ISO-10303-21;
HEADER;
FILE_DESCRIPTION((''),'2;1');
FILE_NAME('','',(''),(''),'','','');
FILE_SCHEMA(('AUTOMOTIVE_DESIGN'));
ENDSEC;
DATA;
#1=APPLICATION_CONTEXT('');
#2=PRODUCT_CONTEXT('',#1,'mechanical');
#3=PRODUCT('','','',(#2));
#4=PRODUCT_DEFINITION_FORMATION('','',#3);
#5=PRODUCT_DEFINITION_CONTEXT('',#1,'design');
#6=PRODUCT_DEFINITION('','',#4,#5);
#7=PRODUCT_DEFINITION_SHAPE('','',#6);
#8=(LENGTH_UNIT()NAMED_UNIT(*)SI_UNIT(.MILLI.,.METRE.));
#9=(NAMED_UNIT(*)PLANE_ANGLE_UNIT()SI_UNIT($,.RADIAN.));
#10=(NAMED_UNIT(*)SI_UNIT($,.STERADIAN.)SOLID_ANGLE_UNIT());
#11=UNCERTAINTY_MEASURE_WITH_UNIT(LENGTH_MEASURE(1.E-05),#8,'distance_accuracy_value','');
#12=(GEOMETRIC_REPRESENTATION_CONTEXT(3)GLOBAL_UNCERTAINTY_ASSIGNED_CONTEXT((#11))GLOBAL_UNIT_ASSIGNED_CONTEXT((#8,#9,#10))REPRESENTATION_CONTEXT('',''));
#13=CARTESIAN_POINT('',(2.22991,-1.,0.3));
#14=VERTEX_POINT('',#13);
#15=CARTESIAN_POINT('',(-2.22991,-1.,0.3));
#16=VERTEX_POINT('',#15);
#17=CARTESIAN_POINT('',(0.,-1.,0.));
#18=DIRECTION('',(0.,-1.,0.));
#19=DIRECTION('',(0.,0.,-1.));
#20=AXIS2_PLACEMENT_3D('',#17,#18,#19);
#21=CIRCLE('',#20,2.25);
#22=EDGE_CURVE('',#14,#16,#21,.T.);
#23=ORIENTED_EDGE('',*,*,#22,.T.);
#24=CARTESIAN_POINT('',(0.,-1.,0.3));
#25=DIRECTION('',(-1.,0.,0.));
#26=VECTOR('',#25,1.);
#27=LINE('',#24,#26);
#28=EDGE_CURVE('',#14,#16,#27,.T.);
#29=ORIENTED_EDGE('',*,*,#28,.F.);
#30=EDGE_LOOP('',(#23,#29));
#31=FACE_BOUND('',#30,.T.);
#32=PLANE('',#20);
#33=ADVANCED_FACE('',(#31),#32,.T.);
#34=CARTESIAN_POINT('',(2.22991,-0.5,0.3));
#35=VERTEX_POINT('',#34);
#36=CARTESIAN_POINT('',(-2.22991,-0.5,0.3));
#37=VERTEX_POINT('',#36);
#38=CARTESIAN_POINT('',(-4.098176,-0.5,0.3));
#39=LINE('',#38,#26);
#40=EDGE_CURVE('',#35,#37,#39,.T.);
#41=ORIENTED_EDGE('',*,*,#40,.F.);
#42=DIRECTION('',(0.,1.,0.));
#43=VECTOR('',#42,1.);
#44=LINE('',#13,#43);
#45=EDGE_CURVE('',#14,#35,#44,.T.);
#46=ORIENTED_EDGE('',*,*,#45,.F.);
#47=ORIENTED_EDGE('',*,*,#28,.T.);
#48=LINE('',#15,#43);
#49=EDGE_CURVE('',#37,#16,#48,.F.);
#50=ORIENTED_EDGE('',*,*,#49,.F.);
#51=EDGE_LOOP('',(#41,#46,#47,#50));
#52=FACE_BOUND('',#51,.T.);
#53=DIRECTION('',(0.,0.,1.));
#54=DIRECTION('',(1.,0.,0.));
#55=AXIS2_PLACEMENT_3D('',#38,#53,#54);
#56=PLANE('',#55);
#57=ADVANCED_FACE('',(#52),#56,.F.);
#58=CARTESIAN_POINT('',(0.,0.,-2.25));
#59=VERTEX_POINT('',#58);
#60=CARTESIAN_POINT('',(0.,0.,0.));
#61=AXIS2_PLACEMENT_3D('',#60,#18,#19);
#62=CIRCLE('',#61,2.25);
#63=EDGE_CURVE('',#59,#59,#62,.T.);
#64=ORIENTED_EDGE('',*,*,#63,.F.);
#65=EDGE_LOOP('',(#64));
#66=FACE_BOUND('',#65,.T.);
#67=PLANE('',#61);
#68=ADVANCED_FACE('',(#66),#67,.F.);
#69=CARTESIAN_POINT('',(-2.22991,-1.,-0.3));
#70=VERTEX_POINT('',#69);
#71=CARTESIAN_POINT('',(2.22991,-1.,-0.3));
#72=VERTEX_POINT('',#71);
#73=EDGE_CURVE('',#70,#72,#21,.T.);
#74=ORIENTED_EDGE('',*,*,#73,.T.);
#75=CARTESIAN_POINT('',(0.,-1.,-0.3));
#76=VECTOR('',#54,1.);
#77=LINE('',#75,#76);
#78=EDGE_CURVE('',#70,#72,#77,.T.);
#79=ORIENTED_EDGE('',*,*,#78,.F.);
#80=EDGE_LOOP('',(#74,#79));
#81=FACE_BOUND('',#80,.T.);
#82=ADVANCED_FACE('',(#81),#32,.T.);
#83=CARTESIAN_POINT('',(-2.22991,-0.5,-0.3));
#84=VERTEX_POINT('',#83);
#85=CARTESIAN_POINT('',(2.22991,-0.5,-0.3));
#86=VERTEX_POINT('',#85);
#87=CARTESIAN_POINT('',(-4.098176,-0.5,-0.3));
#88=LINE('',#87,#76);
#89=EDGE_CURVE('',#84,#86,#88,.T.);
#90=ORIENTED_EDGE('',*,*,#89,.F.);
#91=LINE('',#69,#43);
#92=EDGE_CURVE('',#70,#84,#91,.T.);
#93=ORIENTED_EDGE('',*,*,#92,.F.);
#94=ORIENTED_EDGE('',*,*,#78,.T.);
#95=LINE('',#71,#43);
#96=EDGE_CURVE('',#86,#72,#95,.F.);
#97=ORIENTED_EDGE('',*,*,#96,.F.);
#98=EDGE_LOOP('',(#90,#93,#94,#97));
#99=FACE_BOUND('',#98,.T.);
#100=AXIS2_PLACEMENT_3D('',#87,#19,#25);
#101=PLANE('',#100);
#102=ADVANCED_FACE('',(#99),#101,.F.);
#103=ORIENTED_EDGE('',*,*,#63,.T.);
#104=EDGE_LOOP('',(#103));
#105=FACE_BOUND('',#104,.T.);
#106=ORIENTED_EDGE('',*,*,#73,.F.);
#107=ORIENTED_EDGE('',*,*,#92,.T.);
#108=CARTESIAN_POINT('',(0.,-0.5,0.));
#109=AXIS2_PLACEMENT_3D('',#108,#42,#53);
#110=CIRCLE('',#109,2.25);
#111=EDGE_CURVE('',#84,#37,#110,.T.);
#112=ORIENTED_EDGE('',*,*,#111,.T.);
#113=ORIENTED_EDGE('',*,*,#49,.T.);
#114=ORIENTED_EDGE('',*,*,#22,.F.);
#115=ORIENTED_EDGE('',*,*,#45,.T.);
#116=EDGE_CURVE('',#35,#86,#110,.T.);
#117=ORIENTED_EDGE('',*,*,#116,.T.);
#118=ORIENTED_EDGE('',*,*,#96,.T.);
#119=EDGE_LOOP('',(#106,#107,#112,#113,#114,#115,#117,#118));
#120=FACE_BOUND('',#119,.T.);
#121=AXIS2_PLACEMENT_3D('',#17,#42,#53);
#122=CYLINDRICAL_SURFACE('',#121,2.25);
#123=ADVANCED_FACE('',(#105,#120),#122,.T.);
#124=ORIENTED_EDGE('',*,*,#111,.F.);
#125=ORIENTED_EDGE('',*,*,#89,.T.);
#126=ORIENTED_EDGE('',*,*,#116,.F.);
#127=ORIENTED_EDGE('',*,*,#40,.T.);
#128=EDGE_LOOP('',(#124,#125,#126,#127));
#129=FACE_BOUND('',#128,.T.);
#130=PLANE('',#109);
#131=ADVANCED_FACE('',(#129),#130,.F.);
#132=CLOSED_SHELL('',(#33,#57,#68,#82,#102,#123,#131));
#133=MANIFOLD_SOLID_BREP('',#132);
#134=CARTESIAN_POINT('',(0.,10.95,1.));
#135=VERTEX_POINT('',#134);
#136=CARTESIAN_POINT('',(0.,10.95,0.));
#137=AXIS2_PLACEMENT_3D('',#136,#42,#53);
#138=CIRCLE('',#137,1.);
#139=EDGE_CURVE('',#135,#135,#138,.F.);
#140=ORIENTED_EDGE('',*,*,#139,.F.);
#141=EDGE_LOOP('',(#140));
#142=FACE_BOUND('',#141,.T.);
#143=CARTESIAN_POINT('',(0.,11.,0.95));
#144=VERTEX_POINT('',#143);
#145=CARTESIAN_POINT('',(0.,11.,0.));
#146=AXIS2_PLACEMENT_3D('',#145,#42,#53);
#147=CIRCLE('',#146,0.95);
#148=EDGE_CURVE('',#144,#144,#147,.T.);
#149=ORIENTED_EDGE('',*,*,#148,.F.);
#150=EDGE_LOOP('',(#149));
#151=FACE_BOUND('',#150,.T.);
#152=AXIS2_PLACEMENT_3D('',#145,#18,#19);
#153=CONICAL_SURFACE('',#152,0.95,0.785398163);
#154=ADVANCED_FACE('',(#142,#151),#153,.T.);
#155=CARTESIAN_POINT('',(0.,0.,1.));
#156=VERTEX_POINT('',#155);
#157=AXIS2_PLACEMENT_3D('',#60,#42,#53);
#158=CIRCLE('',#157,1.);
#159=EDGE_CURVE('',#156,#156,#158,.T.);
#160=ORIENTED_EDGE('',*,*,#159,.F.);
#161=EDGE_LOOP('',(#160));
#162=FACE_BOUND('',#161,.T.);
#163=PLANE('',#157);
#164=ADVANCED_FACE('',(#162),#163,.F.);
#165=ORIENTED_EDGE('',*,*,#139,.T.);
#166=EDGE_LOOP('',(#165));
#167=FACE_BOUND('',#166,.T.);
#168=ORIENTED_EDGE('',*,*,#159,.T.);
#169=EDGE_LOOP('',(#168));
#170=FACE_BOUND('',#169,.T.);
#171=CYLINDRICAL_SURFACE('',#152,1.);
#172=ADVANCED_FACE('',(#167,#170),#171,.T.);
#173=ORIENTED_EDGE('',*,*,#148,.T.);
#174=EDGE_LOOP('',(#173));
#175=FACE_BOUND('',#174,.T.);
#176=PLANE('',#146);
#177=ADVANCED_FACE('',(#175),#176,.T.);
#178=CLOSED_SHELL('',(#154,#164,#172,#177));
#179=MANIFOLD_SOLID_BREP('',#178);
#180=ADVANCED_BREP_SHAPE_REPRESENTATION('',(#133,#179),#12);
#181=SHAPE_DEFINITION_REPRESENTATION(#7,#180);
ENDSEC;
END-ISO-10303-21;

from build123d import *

# Parameters (mm, degrees)
SKETCH1_R           = 1
BOSS_EXTRUDE1_DEPTH = 11
SKETCH2_R           = 2.25
BOSS_EXTRUDE2_DEPTH = 1
SKETCH3_W           = 8.196351728
SKETCH3_H           = 0.6
CUT_EXTRUDE1_DEPTH  = 0.5
CHAMFER1_SIZE       = 0.05


with BuildPart() as part:
    # Sketch1 → Boss-Extrude1 (new body)
    with BuildSketch(Plane(origin=(0, 0, 0), x_dir=(1, 0, 0), z_dir=(0, 1, 0))):
        Circle(SKETCH1_R)
    extrude(amount=BOSS_EXTRUDE1_DEPTH)

    # Chamfer1
    chamfer1_edges = [part.edges().sort_by_distance(p)[0] for p in [
        (-1, 11, 0),
    ]]
    chamfer(chamfer1_edges, length=CHAMFER1_SIZE)


with BuildPart() as body_2:
    # Sketch2 → Boss-Extrude2 (new body)
    with BuildSketch(Plane.XZ):
        Circle(SKETCH2_R)
    extrude(amount=BOSS_EXTRUDE2_DEPTH)

    # Sketch3 → Cut-Extrude1 (cut)
    with BuildSketch(Plane.XZ.offset(1)):
        Rectangle(SKETCH3_W, SKETCH3_H)
    extrude(amount=-CUT_EXTRUDE1_DEPTH, mode=Mode.SUBTRACT)


solid = Compound([part.part, body_2.part])
